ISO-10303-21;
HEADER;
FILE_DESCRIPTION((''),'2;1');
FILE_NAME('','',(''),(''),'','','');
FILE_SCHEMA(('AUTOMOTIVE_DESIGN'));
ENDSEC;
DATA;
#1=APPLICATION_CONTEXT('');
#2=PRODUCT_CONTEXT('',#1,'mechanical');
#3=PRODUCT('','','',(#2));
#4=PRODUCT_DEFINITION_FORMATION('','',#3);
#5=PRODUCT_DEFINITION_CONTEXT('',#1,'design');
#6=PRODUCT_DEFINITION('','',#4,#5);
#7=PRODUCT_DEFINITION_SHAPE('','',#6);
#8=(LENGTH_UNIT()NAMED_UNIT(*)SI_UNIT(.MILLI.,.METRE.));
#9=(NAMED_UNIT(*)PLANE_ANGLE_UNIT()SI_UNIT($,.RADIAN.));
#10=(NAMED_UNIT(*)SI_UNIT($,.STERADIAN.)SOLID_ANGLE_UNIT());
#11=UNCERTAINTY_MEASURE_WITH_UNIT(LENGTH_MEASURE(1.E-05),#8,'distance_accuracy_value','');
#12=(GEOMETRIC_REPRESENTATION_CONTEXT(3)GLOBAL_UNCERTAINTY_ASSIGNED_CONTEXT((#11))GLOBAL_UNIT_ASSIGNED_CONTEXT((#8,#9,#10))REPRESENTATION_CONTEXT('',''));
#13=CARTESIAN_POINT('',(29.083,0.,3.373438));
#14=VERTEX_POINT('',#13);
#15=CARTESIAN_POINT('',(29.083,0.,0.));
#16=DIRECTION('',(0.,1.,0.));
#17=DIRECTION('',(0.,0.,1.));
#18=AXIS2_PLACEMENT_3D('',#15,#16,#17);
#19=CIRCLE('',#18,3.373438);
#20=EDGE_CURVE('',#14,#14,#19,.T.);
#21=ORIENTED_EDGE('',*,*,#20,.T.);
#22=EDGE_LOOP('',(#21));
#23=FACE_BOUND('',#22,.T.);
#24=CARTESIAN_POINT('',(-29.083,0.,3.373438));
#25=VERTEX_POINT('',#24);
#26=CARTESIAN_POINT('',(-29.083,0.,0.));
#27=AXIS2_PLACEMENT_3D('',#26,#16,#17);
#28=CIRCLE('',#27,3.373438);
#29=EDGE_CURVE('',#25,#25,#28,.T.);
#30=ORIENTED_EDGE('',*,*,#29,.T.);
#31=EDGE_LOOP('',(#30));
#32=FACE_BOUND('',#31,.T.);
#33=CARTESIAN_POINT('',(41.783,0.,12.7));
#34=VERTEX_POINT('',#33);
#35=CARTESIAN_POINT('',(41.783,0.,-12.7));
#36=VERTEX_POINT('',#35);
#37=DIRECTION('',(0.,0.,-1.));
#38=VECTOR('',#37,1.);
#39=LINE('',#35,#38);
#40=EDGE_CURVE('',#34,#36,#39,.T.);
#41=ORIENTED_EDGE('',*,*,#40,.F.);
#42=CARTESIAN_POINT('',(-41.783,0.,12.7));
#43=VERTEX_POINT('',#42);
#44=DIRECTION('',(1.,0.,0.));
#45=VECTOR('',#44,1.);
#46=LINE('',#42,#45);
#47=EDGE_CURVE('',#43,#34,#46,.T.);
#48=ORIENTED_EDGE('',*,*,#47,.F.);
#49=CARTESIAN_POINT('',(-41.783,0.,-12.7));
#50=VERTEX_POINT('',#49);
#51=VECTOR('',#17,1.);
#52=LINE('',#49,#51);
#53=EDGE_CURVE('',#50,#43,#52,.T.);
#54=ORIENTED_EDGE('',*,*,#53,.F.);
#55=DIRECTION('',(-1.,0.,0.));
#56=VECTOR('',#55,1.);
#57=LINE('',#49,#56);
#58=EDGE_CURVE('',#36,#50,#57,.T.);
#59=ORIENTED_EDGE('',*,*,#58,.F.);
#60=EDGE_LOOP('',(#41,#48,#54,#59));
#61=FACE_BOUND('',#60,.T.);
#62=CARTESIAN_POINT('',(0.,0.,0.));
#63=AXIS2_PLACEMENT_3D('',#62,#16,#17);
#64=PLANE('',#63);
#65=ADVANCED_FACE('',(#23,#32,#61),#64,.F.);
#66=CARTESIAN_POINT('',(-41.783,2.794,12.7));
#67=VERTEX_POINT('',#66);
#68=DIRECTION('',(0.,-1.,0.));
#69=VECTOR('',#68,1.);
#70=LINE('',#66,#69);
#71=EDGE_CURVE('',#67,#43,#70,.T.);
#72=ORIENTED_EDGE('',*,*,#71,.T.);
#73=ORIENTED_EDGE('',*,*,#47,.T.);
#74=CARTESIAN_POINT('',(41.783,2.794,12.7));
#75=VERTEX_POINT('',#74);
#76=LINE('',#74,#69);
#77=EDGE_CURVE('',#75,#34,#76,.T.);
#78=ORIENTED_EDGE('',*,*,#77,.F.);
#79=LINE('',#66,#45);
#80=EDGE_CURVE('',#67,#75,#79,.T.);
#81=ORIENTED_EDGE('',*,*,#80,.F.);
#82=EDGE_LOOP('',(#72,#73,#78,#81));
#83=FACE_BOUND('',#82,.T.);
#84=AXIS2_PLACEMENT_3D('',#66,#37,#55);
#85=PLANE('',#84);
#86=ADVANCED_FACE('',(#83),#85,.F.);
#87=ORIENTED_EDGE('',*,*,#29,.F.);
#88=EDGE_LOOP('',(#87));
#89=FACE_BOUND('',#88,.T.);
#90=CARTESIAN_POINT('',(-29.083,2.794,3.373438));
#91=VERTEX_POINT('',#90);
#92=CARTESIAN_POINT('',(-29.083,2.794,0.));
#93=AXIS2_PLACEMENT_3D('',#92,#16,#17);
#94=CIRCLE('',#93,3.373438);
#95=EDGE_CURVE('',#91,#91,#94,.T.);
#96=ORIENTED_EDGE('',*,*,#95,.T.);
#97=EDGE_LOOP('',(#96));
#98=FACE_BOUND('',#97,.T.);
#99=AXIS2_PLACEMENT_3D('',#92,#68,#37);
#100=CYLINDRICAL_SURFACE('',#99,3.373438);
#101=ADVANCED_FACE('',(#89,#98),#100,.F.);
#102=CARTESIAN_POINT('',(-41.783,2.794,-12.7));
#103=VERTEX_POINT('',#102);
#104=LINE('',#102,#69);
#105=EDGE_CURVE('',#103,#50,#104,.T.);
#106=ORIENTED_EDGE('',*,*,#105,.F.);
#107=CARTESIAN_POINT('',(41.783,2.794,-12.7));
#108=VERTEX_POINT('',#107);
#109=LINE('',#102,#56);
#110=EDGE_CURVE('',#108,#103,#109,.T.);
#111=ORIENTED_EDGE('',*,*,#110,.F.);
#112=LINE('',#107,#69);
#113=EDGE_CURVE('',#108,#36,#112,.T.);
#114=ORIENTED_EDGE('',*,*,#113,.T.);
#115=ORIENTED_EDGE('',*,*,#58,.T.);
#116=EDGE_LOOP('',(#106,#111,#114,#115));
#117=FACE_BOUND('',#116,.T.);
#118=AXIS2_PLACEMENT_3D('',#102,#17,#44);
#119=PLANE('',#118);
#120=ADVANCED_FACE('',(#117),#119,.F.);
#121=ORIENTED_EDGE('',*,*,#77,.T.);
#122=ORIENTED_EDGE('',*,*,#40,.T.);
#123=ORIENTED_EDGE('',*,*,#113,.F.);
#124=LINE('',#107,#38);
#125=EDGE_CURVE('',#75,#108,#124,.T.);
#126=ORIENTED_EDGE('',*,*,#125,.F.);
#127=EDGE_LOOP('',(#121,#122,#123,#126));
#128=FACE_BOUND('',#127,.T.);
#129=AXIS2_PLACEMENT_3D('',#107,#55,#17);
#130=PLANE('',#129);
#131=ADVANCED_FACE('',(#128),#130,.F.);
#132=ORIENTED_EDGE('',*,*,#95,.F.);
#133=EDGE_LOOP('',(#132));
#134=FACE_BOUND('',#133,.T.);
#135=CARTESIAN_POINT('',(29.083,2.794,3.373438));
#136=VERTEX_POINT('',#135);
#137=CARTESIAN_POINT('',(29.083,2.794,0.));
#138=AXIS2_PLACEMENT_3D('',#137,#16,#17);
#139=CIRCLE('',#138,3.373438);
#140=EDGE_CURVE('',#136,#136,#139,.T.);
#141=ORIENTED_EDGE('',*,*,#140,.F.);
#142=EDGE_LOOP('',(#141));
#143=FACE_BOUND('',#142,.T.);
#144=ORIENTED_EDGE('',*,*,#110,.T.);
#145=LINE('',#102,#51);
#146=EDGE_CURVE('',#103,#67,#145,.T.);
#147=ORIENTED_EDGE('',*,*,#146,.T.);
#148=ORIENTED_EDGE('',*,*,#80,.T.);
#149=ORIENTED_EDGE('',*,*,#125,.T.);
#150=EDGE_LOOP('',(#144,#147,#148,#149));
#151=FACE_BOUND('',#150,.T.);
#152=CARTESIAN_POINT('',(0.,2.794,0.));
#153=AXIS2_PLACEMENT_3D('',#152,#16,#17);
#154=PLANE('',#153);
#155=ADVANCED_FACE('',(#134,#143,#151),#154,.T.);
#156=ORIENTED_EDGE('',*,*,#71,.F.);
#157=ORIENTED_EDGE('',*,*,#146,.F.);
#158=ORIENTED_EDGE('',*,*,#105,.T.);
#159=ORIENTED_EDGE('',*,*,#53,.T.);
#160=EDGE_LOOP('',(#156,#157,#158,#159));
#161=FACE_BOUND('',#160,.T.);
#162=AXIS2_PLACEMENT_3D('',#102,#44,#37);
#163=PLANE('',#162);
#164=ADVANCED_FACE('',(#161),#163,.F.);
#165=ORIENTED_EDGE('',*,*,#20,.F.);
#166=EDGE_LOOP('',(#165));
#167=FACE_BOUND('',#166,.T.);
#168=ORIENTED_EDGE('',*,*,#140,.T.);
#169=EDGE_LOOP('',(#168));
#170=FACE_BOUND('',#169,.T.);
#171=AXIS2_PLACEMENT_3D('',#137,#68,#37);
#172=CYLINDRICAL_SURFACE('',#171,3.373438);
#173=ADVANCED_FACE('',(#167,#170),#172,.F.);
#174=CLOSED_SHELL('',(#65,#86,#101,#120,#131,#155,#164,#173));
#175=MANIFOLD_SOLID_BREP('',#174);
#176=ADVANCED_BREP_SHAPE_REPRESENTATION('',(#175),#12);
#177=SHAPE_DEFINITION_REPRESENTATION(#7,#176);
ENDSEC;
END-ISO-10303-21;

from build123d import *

# Parameters (mm, degrees)
SKETCH1_W           = 83.566
SKETCH1_H           = 25.4
SKETCH1_R           = 3.3734375
BOSS_EXTRUDE1_DEPTH = 2.794


with BuildPart() as part:
    # Sketch1 → Boss-Extrude1 (new body)
    with BuildSketch(Plane(origin=(0, 0, 0), x_dir=(1, 0, 0), z_dir=(0, 1, 0))):
        Rectangle(SKETCH1_W, SKETCH1_H)
        with Locations(Location((-29.083, 0, 0), (0, 0, 270))):
            Circle(SKETCH1_R, mode=Mode.SUBTRACT)
        with Locations(Location((29.083, 0, 0), (0, 0, 270))):
            Circle(SKETCH1_R, mode=Mode.SUBTRACT)
    extrude(amount=BOSS_EXTRUDE1_DEPTH)


solid = part.part
